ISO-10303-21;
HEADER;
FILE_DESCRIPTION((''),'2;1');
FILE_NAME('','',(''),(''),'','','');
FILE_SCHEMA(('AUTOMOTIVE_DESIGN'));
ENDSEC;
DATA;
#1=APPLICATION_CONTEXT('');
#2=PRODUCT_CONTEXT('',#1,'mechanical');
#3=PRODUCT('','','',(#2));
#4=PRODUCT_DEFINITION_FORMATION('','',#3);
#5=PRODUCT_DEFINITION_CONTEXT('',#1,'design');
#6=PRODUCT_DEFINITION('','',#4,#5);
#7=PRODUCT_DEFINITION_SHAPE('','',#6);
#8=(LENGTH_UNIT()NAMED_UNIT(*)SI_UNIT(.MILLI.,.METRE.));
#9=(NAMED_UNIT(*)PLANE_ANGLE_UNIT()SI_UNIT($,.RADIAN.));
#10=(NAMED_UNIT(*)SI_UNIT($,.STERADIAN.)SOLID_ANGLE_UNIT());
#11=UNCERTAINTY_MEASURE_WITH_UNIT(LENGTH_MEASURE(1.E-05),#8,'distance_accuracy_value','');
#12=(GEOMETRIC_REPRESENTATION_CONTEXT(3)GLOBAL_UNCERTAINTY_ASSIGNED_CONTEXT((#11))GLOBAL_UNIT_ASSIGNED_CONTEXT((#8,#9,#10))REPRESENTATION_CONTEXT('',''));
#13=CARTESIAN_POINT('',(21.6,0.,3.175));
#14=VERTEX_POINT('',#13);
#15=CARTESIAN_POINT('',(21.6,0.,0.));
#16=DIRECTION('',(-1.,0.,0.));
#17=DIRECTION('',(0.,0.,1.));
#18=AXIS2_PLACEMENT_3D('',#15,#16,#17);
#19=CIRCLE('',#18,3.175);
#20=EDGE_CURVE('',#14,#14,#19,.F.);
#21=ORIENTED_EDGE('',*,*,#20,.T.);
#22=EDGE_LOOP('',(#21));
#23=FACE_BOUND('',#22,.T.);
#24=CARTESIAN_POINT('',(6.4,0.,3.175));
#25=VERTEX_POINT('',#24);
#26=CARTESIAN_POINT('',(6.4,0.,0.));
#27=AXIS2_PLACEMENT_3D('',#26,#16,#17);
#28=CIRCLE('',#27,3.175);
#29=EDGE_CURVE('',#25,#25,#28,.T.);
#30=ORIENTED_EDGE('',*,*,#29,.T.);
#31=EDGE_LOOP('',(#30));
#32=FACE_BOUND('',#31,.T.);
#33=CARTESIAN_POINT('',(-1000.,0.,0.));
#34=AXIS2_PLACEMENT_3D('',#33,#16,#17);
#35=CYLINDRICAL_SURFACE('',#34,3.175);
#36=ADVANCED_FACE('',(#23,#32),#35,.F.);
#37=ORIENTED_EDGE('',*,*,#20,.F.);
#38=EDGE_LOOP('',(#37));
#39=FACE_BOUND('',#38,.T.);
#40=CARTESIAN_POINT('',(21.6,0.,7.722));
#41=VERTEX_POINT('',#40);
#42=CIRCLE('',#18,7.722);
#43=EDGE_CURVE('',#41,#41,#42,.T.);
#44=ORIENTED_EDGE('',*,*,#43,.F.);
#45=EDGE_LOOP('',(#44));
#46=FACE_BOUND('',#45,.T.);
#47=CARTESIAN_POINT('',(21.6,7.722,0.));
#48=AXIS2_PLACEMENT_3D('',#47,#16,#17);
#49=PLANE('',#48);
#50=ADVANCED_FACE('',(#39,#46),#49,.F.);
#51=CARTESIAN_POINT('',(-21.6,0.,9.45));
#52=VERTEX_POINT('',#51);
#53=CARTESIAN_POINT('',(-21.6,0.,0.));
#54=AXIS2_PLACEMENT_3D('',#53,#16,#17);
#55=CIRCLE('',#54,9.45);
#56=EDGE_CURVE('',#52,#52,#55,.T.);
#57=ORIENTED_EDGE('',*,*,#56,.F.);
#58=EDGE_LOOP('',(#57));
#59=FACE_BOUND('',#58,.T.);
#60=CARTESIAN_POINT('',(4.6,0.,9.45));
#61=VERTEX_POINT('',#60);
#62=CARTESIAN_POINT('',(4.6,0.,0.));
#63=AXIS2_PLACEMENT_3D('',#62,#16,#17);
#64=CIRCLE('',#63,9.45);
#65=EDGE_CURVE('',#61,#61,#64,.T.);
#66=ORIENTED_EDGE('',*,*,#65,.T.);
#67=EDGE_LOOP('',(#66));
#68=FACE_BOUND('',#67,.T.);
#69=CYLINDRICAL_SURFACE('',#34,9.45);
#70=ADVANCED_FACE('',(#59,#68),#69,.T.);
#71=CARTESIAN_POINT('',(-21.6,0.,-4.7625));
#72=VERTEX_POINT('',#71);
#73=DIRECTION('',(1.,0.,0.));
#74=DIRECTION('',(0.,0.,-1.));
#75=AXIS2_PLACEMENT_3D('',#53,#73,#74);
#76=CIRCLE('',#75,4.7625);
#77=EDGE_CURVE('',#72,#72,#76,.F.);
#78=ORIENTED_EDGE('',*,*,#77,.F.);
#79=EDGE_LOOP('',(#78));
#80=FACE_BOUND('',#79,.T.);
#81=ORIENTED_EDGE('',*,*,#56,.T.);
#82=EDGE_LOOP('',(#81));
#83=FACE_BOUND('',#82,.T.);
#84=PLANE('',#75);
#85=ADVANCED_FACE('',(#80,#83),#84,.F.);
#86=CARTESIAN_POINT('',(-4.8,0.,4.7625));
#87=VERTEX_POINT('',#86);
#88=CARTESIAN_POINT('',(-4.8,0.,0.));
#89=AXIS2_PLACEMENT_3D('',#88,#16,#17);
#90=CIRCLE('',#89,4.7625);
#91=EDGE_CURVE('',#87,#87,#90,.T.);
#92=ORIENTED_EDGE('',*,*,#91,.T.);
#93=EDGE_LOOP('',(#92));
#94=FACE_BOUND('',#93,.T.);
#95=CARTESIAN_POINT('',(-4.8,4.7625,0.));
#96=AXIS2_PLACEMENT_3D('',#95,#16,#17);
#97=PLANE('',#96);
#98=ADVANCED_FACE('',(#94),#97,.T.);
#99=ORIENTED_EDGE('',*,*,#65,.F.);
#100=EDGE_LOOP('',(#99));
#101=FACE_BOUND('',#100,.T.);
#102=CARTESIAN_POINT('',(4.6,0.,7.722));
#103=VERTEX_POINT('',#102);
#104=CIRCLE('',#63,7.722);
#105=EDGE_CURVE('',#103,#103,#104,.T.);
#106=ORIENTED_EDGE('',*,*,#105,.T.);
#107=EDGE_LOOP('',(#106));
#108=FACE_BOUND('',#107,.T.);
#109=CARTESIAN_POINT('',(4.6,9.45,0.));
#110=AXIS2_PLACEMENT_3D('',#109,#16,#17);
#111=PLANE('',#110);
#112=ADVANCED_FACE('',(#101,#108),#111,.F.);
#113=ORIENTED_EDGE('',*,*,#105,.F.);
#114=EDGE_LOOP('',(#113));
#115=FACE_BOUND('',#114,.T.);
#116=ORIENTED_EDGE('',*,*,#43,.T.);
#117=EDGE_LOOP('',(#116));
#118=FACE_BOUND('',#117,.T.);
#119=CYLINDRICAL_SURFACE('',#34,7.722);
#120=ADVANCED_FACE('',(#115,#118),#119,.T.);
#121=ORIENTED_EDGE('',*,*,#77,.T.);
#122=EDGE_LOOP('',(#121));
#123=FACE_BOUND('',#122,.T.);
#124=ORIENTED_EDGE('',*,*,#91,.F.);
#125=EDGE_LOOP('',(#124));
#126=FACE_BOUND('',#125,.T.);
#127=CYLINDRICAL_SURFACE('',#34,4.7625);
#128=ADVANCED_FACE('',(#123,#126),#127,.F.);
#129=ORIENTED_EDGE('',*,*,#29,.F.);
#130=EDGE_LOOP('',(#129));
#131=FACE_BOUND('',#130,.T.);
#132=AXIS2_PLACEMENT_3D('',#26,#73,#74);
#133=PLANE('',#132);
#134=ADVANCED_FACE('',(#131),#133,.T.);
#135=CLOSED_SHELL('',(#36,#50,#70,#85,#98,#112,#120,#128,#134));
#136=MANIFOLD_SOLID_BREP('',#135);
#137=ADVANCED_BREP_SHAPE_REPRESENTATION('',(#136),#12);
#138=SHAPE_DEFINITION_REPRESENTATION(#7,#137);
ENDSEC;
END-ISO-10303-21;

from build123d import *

# Parameters (mm, degrees)
SOCKET_1_SKETCH_W = 17.8
SOCKET_1_SKETCH_H = 4.7625
SOCKET_2_SKETCH_W = 16.2
SOCKET_2_SKETCH_H = 3.175


with BuildPart() as part:
    # Reducer_T6_T4 Sketch → Reducer_T6_T4 (revolve)
    with BuildSketch(Plane.XY):
        Polygon((-21.6, 0), (-21.6, 9.45), (0.4, 9.45), (4.6, 9.45), (4.6, 7.722), (21.6, 7.722), (21.6, 0), align=None)
    revolve(axis=Axis((-1000, 0, 0), (1, 0, 0)))

    # Socket 1 Sketch → Socket 1 (revolve, cut)
    with BuildSketch(Plane.XY):
        with Locations((-13.7, 2.38125)):
            Rectangle(SOCKET_1_SKETCH_W, SOCKET_1_SKETCH_H)
    revolve(axis=Axis((-1000, 0, 0), (1, 0, 0)), mode=Mode.SUBTRACT)

    # Socket 2 Sketch → Socket 2 (revolve, cut)
    with BuildSketch(Plane.XY):
        with Locations((14.5, 1.5875)):
            Rectangle(SOCKET_2_SKETCH_W, SOCKET_2_SKETCH_H)
    revolve(axis=Axis((-1000, 0, 0), (1, 0, 0)), mode=Mode.SUBTRACT)


solid = part.part
